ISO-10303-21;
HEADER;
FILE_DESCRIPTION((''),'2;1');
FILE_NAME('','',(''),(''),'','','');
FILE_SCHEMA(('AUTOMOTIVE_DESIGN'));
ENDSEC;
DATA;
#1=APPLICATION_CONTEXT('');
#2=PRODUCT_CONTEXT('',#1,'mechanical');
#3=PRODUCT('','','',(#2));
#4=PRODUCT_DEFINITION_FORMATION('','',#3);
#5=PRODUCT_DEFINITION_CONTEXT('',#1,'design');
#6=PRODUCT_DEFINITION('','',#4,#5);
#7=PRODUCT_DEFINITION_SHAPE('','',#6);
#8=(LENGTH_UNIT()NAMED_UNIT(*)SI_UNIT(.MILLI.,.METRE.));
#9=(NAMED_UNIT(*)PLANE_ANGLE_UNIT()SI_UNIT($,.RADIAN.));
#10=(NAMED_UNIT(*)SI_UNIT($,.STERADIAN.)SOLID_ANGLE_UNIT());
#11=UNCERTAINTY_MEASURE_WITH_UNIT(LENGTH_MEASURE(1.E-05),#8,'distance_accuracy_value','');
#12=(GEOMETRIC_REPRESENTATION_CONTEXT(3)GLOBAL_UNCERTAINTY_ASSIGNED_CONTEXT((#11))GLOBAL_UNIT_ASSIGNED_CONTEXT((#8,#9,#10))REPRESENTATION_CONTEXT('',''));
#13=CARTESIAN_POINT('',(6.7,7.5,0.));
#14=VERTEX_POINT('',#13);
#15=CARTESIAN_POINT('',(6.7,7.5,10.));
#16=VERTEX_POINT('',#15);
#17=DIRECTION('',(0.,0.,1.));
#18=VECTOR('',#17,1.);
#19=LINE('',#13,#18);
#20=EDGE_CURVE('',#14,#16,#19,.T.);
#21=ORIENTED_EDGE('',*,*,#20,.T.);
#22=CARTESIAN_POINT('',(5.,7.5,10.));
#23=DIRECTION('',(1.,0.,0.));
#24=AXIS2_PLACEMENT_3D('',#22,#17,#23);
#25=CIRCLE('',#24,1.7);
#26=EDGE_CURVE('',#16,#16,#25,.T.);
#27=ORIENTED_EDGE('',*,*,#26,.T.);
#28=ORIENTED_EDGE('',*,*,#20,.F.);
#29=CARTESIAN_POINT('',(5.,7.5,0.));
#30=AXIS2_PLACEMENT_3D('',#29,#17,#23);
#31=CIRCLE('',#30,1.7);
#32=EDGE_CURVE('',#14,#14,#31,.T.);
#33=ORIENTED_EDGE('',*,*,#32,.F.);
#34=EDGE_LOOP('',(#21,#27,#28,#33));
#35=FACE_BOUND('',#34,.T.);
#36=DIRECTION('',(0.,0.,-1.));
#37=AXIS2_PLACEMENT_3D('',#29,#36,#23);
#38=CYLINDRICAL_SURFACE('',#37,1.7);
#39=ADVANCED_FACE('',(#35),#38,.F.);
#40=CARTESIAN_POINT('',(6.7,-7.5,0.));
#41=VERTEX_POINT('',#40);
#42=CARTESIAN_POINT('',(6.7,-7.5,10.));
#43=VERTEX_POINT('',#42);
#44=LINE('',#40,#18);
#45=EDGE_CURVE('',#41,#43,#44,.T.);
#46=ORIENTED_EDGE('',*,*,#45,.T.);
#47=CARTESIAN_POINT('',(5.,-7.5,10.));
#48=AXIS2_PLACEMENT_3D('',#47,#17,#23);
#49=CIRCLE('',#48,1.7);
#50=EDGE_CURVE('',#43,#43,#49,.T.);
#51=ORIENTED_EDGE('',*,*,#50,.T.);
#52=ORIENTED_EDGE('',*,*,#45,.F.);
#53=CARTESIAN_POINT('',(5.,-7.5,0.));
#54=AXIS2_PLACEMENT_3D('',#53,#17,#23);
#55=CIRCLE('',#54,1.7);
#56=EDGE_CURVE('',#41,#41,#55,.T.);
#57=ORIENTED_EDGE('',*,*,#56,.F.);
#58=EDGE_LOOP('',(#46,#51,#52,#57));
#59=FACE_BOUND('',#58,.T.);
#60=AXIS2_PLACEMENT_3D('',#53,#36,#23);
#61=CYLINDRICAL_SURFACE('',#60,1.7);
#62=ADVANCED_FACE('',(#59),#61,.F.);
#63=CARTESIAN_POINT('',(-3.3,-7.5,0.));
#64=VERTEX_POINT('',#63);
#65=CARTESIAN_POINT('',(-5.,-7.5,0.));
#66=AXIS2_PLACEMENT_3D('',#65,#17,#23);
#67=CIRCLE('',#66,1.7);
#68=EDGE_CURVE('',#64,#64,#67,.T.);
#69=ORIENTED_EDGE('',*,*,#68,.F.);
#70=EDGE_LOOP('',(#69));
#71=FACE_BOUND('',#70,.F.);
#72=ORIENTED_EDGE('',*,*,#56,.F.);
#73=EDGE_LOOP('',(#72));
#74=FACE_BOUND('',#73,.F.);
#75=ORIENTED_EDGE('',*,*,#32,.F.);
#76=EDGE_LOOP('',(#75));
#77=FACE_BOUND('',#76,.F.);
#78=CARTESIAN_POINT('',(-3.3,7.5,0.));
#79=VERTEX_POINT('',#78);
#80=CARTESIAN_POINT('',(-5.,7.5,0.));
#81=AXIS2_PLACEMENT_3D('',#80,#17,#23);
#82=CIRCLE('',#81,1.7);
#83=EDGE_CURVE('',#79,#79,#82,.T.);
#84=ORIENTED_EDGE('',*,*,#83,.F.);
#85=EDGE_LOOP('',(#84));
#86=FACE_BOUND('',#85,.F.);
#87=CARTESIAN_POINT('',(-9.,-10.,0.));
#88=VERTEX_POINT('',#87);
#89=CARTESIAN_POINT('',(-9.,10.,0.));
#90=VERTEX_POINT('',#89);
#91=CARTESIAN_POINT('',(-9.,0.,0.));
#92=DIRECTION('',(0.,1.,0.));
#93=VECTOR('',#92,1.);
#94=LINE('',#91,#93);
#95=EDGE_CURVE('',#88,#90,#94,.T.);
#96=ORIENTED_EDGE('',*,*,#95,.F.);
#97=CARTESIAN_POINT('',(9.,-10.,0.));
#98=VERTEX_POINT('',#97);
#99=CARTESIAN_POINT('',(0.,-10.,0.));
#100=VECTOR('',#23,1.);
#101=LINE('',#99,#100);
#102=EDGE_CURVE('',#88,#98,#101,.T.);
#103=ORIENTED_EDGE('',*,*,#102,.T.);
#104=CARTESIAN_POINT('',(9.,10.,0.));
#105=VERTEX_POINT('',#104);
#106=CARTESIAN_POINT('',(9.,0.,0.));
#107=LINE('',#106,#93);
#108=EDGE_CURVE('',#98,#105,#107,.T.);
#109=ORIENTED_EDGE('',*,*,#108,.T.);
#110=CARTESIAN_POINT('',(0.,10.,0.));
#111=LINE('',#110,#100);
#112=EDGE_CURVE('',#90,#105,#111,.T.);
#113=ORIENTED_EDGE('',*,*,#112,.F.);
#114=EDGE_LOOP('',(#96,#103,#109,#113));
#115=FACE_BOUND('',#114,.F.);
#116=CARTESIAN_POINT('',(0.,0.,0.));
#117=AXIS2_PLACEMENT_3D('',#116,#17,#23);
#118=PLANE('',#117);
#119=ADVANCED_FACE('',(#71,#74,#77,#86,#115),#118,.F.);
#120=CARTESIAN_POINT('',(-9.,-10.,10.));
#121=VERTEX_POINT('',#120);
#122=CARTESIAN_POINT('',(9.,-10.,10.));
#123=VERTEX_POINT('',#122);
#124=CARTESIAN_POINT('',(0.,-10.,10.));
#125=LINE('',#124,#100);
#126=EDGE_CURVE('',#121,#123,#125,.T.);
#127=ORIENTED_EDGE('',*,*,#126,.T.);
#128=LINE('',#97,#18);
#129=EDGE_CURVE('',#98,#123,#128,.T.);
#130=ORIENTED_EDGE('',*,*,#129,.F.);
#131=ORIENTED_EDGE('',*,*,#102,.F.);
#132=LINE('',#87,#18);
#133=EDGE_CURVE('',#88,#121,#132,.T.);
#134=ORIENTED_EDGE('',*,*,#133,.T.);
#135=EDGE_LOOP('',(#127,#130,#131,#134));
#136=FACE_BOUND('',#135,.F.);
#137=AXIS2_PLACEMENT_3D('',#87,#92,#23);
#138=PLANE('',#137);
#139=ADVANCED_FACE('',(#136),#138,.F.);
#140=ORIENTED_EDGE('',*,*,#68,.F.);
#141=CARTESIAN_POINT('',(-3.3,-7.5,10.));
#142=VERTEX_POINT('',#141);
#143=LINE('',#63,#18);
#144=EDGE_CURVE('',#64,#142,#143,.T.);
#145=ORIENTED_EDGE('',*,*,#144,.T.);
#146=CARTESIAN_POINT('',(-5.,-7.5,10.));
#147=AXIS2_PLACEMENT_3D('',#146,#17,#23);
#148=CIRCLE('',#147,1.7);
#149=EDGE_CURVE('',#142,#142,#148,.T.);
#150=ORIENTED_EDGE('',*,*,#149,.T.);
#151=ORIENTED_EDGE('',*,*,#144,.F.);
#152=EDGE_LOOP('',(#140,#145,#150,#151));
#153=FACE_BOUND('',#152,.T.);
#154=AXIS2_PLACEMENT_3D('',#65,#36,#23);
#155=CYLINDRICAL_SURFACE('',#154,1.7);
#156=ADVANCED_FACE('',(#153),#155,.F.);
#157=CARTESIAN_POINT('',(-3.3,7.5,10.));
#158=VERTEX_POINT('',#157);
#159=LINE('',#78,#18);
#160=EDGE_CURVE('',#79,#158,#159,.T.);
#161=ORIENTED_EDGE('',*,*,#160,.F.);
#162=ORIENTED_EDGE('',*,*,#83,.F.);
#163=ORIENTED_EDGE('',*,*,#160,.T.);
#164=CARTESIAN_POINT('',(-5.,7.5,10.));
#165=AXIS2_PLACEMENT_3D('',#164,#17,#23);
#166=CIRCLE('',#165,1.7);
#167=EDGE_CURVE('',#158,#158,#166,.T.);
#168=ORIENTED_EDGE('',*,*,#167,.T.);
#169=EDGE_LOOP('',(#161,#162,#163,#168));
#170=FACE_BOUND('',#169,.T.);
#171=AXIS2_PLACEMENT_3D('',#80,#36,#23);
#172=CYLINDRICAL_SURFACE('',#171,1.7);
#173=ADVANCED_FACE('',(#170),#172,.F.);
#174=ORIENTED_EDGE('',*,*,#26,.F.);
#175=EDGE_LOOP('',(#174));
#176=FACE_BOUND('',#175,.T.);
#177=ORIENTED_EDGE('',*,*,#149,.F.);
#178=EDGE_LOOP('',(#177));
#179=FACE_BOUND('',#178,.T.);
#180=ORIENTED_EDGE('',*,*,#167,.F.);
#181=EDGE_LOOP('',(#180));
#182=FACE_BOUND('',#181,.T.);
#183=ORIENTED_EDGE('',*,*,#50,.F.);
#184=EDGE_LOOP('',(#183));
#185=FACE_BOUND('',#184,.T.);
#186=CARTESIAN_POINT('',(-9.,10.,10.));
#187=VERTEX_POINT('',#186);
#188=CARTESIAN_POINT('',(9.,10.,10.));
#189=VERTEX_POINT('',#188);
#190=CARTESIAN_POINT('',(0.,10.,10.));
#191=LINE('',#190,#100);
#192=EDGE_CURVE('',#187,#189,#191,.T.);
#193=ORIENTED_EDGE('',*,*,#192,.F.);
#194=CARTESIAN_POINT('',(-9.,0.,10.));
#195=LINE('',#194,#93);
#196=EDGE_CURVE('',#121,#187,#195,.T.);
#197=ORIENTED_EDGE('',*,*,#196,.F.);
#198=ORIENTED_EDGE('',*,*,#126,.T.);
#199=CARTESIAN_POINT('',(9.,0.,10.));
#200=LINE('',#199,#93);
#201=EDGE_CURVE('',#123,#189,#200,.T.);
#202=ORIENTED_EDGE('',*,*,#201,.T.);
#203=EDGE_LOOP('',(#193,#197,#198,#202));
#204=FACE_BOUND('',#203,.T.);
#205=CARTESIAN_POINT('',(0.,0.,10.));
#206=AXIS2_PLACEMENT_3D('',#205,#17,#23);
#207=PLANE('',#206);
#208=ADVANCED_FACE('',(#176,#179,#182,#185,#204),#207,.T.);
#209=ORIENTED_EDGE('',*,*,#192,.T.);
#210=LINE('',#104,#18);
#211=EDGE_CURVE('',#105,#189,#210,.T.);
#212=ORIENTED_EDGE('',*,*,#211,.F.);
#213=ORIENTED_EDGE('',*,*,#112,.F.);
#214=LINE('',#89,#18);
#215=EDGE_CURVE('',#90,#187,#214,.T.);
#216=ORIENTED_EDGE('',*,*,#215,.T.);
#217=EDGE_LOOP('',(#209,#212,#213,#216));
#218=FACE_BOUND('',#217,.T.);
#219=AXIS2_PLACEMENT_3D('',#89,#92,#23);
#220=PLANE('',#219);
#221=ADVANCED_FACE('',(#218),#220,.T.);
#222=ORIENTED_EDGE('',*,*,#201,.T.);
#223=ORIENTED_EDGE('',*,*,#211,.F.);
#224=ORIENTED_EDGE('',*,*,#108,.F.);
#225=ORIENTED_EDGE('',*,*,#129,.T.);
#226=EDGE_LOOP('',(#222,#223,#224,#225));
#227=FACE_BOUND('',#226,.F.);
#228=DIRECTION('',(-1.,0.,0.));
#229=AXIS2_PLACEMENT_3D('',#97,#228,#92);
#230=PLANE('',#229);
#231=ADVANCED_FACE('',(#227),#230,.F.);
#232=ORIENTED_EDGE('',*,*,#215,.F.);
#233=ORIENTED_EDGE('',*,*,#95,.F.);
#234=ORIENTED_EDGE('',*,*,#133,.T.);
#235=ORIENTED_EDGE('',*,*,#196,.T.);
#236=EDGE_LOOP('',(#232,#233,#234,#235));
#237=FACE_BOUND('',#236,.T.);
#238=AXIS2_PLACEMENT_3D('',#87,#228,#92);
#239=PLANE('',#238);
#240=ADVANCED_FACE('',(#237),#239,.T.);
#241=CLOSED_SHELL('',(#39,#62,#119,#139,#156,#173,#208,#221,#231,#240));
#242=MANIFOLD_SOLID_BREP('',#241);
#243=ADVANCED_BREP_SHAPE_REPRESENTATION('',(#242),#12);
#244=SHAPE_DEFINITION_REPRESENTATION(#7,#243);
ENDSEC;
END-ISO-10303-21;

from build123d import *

# Parameters (mm, degrees)
SKETCH_W  = 18
SKETCH_H  = 20
SKETCH_R  = 1.7
PAD_DEPTH = 10


with BuildPart() as part:
    # Sketch → Pad (new body)
    with BuildSketch(Plane.XY):
        Rectangle(SKETCH_W, SKETCH_H)
        with Locations((-5, 7.5)):
            Circle(SKETCH_R, mode=Mode.SUBTRACT)
        with Locations((-5, -7.5)):
            Circle(SKETCH_R, mode=Mode.SUBTRACT)
        with Locations((5, 7.5)):
            Circle(SKETCH_R, mode=Mode.SUBTRACT)
        with Locations((5, -7.5)):
            Circle(SKETCH_R, mode=Mode.SUBTRACT)
    extrude(amount=PAD_DEPTH)


solid = part.part
